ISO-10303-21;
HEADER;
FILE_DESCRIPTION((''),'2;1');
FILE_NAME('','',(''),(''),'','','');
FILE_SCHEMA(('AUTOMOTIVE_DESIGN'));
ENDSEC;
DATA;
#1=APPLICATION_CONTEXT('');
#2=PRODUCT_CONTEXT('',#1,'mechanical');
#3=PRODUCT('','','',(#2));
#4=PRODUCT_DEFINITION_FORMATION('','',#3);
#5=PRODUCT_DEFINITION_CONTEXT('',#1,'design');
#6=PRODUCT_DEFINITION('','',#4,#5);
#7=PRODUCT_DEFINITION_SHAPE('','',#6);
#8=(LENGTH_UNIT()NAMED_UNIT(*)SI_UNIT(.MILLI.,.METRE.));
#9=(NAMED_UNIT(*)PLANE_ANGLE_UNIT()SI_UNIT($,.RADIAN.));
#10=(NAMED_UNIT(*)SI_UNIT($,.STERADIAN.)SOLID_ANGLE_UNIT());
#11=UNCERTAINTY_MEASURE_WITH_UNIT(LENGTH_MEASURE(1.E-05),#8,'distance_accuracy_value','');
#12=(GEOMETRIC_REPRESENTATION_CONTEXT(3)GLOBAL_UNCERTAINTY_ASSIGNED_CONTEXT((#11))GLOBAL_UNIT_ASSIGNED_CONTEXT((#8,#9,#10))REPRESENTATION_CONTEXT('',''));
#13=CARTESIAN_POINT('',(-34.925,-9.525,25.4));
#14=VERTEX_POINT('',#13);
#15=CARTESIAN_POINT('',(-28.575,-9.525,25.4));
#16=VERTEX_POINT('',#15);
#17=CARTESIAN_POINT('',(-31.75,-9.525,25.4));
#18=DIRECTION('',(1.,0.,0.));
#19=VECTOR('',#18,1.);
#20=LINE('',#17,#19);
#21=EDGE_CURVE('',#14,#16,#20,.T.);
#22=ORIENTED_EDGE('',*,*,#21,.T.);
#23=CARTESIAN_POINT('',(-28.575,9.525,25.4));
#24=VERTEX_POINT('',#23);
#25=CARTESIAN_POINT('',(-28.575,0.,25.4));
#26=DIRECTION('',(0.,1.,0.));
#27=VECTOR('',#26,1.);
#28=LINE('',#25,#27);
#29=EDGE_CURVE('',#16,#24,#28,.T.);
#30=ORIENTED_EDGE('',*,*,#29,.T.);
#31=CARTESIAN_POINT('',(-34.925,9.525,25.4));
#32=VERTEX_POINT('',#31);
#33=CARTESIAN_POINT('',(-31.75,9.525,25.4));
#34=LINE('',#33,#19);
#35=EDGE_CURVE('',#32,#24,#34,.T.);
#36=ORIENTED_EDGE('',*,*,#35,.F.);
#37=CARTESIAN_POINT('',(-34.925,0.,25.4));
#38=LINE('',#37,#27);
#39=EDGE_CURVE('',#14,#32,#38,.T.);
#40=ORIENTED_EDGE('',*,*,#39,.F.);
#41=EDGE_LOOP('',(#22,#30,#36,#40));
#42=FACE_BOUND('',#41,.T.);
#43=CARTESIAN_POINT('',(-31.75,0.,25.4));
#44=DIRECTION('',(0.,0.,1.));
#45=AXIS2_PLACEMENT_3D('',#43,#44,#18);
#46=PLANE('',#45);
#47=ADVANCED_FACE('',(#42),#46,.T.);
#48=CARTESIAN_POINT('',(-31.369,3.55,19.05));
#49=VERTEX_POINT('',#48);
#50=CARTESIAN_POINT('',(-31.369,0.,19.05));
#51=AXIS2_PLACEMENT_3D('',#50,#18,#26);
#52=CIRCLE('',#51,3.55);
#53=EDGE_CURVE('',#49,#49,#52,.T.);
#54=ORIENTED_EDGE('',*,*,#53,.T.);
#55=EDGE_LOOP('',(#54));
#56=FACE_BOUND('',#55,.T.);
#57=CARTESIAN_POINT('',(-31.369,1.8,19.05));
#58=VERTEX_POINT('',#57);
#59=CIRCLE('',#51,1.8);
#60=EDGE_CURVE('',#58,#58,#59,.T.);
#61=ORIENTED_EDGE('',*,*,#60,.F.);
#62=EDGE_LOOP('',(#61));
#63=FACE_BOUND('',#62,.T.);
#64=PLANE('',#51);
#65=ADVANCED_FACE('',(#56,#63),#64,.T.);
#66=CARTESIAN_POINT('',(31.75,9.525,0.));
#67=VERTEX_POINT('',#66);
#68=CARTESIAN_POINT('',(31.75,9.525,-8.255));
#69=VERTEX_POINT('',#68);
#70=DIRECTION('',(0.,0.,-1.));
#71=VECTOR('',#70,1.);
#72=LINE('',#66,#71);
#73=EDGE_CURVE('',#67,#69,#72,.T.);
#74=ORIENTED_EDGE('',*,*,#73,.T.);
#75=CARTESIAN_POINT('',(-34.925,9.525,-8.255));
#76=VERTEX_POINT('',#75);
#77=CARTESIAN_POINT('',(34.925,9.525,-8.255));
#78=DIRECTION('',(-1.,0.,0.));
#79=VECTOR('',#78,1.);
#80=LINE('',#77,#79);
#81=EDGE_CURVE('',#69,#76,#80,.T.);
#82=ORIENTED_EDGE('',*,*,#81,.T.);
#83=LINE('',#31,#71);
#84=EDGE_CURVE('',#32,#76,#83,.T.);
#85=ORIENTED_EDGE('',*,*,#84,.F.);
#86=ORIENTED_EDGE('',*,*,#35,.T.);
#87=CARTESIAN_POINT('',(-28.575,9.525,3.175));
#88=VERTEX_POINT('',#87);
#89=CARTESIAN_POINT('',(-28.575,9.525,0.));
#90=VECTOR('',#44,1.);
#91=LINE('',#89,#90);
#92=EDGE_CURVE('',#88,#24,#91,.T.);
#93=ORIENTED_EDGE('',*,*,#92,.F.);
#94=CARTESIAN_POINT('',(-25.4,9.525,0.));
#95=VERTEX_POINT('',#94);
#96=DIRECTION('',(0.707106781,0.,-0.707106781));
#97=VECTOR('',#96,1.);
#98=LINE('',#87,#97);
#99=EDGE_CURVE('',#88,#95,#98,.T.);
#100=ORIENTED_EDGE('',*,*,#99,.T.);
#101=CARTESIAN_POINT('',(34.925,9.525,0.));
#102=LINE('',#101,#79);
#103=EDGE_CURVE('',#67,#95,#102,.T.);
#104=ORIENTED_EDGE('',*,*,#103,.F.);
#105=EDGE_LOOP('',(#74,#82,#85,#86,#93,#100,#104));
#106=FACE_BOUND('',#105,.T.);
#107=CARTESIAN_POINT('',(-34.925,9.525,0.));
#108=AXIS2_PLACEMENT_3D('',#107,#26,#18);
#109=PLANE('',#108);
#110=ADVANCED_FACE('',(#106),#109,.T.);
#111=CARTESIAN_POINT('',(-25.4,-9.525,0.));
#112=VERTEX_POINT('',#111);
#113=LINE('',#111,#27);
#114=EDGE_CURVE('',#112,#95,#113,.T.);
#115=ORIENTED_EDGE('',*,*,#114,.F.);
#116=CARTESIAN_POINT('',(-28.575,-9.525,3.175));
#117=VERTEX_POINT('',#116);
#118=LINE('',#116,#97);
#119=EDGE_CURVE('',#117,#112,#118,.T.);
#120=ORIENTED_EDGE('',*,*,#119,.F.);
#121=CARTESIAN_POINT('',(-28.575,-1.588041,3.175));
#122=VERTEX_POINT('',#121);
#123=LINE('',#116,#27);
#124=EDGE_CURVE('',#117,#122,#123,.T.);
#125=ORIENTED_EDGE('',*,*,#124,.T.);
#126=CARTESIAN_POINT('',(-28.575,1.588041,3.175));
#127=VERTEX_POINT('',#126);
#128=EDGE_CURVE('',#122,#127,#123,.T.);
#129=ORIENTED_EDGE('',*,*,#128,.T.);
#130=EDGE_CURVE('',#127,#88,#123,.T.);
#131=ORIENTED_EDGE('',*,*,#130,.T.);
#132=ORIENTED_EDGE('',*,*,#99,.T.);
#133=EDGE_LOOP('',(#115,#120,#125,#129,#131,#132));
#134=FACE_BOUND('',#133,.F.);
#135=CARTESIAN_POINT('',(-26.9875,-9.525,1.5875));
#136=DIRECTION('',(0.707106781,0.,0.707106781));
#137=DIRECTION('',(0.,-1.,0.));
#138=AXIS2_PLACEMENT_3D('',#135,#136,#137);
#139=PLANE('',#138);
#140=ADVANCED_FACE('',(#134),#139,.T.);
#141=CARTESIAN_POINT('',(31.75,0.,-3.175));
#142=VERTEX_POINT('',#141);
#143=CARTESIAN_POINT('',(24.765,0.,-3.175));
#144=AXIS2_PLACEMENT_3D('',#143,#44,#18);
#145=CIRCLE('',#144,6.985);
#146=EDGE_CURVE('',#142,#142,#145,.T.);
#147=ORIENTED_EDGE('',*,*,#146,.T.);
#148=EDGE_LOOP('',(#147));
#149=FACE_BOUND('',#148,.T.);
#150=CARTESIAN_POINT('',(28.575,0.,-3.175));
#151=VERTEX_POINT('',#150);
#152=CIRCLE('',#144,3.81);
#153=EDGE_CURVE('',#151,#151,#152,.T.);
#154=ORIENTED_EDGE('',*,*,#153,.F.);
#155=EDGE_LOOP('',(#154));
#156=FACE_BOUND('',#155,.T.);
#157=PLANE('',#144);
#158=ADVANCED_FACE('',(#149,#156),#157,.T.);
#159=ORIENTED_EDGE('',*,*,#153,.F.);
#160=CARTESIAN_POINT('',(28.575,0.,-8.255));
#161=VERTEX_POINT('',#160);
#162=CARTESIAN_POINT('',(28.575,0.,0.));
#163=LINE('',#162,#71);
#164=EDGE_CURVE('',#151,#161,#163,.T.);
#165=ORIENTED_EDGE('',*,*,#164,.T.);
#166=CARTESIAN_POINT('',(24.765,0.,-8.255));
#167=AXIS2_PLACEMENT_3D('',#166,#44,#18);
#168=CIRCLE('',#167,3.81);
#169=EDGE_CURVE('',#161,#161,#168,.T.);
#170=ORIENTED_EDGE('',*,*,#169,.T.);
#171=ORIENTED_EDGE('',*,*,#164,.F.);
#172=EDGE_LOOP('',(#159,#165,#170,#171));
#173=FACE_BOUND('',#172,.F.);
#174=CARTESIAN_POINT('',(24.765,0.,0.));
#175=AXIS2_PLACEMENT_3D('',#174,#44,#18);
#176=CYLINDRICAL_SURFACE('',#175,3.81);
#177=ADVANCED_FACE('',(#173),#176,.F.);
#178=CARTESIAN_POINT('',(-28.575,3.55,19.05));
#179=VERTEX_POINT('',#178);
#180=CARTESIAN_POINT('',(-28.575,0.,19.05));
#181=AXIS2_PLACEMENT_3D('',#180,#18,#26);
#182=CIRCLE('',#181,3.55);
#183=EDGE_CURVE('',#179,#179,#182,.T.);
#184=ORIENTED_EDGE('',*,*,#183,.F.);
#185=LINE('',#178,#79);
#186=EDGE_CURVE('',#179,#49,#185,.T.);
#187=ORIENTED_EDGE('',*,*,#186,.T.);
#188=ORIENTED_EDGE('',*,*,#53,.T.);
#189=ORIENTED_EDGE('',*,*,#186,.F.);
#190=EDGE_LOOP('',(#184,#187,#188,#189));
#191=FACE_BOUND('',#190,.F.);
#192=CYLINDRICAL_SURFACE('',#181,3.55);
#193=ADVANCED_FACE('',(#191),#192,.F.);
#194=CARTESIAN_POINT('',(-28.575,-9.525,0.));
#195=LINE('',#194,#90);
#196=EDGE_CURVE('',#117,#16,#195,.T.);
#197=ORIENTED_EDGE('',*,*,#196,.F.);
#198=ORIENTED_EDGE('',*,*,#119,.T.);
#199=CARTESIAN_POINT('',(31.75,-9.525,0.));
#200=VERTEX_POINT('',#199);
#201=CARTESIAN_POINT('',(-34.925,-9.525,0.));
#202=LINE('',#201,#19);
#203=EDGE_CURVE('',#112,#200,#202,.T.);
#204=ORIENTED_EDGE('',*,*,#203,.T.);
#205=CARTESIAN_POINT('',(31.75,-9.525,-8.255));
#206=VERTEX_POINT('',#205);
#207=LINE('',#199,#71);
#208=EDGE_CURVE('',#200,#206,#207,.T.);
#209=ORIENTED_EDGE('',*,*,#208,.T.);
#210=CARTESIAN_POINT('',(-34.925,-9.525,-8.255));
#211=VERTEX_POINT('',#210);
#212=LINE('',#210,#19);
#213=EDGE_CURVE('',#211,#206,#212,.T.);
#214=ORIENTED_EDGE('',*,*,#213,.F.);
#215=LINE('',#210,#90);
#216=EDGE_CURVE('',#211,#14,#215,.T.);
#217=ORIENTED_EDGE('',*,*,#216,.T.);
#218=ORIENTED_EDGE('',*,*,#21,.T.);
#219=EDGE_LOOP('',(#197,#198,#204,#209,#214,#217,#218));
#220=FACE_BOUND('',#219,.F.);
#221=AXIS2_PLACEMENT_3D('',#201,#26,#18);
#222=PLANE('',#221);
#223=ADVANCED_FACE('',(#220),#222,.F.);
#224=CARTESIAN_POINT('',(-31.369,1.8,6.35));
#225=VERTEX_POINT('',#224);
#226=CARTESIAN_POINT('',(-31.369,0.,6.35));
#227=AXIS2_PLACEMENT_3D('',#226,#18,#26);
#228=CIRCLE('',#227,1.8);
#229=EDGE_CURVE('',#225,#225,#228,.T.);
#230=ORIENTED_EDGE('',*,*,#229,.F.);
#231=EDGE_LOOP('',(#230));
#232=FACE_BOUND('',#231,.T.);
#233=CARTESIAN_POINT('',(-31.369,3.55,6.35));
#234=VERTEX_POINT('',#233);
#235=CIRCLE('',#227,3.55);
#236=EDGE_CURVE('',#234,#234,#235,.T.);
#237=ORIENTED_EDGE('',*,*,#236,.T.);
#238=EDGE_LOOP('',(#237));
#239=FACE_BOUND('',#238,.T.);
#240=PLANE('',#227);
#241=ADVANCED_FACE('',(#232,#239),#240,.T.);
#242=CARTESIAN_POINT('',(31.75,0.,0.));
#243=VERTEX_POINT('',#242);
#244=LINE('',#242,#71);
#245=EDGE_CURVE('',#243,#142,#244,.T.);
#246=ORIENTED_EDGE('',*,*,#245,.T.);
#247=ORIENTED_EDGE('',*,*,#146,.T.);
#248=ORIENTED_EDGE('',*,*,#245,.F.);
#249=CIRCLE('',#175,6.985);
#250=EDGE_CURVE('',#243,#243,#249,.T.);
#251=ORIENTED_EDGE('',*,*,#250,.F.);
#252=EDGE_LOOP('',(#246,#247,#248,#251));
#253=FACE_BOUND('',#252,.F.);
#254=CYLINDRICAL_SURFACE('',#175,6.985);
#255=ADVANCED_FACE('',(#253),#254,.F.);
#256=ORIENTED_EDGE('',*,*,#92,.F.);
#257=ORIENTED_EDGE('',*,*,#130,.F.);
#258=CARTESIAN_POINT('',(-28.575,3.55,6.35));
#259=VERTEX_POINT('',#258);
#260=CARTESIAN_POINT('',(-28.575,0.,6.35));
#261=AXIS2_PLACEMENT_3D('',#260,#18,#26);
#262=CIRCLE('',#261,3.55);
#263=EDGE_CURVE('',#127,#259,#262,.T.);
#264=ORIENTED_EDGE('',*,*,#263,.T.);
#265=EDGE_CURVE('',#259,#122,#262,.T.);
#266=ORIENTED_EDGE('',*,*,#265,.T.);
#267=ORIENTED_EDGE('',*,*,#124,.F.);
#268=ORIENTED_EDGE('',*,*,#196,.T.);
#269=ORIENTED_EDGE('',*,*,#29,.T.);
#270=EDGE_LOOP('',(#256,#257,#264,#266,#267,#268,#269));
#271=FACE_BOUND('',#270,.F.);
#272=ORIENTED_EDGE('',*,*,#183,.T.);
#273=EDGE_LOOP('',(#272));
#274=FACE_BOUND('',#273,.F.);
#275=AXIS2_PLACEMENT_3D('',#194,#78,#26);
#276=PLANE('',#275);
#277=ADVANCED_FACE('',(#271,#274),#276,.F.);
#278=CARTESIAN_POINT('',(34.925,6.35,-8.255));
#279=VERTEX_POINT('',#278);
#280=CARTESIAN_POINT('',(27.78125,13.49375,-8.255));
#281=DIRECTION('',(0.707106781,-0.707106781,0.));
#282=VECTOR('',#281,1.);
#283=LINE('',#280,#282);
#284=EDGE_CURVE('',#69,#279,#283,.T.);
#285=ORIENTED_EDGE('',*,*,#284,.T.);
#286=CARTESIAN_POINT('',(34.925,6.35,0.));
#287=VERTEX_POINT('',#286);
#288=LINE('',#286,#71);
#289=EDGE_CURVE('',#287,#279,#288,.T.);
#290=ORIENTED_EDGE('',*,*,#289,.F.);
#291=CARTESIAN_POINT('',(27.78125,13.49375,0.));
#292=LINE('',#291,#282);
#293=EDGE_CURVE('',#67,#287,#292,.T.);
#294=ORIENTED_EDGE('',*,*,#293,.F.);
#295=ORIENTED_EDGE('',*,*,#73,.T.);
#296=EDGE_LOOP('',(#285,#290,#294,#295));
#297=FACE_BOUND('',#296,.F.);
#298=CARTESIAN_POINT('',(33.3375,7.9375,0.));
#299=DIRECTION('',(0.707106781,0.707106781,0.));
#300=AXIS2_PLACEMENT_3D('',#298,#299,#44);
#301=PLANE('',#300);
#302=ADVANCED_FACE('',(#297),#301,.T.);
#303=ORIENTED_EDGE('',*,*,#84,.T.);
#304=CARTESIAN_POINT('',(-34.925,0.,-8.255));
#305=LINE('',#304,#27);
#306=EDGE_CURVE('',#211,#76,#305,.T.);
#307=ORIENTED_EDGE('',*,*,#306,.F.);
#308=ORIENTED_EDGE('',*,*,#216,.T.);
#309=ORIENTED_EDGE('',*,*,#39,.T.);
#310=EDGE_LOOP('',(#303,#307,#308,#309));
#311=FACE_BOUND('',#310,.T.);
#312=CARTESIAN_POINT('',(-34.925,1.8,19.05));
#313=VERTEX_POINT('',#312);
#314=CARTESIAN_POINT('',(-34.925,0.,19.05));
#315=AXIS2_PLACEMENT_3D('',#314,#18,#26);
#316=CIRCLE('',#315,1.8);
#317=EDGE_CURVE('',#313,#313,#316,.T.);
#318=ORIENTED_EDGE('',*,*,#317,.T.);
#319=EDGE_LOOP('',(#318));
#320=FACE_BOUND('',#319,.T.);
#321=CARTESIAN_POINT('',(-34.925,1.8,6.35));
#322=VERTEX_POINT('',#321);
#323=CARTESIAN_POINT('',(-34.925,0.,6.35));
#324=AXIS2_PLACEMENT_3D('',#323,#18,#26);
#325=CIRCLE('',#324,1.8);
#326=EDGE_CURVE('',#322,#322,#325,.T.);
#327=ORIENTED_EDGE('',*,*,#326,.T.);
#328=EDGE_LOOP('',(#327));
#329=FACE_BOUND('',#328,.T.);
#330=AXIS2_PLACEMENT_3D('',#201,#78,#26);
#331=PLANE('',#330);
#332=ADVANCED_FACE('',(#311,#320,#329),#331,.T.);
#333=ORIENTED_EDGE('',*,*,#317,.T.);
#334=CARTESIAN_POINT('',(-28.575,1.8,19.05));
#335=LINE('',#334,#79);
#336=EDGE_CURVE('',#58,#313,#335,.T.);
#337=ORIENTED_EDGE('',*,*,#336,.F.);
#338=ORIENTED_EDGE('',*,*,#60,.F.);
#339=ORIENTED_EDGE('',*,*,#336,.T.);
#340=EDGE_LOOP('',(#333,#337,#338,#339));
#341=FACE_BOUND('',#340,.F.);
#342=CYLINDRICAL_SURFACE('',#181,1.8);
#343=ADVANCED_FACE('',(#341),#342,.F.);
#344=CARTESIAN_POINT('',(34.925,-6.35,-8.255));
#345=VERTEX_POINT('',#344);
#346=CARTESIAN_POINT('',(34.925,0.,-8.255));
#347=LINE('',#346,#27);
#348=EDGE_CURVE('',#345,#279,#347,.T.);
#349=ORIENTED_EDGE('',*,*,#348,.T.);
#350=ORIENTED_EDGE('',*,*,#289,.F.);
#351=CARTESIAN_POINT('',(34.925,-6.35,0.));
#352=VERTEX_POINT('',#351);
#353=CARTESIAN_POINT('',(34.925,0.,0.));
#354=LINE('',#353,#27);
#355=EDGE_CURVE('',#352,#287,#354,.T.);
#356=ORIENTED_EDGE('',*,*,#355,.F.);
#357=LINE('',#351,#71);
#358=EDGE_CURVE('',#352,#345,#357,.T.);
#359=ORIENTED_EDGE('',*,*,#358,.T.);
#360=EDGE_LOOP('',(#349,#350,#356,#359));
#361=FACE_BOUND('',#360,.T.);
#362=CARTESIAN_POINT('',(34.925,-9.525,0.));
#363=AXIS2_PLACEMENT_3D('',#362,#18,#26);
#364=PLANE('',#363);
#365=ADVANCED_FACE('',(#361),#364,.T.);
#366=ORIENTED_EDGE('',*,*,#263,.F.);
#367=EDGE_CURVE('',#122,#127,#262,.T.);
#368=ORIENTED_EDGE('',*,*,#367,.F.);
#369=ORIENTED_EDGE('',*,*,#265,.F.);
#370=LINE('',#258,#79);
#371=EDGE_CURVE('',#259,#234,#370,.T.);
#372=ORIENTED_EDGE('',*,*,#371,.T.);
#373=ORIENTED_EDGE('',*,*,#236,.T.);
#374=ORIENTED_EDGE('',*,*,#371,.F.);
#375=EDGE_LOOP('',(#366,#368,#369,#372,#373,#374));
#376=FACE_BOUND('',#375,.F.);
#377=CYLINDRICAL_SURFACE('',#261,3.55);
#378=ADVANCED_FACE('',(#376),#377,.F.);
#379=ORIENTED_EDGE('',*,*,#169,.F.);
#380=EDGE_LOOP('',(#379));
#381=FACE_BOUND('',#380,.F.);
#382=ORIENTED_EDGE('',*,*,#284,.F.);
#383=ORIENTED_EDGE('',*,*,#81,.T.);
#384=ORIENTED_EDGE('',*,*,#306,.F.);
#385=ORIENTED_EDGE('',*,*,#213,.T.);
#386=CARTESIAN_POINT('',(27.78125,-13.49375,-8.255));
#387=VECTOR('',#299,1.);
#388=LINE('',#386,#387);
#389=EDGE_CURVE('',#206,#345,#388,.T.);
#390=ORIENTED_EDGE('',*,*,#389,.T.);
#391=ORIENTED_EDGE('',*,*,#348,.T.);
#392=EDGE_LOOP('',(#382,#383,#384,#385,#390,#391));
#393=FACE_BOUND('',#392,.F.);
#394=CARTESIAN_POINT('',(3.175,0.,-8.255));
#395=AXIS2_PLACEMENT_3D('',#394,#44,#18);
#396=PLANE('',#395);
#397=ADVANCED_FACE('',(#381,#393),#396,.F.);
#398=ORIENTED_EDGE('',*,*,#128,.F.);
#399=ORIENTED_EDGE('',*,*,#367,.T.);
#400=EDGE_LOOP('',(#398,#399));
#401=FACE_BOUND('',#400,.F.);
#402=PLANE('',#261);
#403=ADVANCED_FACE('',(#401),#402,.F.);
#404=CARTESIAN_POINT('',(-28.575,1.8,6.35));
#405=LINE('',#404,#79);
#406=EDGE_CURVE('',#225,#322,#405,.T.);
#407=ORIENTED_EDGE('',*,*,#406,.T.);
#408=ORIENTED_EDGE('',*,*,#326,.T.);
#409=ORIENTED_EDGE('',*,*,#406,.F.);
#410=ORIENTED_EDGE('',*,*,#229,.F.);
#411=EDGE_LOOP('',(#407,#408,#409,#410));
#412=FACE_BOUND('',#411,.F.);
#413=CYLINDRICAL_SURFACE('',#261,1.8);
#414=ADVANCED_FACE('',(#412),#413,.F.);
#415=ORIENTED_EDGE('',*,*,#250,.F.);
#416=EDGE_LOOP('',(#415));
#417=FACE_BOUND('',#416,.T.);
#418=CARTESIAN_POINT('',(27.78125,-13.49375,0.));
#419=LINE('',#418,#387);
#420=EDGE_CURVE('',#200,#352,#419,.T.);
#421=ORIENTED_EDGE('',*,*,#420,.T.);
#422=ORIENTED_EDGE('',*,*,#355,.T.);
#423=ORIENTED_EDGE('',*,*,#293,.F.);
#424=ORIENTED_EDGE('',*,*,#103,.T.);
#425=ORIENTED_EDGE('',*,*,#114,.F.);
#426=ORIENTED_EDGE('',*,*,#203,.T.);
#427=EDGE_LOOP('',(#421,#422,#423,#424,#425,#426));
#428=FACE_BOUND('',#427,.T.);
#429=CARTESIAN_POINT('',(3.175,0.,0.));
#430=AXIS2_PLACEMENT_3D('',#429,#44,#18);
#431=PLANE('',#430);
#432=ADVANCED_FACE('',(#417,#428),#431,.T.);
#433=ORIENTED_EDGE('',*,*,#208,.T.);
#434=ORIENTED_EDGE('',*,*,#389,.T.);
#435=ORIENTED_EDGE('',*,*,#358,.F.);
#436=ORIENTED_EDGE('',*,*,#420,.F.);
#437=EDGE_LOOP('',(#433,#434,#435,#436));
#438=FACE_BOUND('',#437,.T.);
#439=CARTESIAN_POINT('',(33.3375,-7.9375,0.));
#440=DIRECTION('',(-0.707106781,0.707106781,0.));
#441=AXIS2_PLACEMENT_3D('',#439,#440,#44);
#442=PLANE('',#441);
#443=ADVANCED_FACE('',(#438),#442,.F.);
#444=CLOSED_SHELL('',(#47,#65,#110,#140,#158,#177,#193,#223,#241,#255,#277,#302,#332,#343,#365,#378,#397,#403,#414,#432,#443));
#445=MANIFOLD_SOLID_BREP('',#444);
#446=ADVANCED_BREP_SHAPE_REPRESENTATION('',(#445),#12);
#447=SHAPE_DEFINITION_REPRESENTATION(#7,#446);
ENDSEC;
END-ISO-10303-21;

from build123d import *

# Parameters (mm, degrees)
F0_W     = 63.5
F0_H     = 19.05
F0_R     = 6.985
F0_W_2   = 6.35
F0_R_2   = 3.81
F1_DEPTH = 8.255
F2_DEPTH = 25.4
F3_DEPTH = 3.175
F4_R     = 1.8
F5_DEPTH = 6.35
F6_SIZE  = 3.175
F4_R_2   = 3.55
F7_DEPTH = 2.794


with BuildPart() as f1:
    # F0 (on Top) → F1 (new body)
    with BuildSketch(Plane.XY):
        with Locations((3.175, 0)):
            Rectangle(F0_W, F0_H)
        with Locations((24.765, 0)):
            Circle(F0_R, mode=Mode.SUBTRACT)
        with Locations((-31.75, 0)):
            Rectangle(F0_W_2, F0_H)
        with Locations((24.765, 0)):
            Circle(F0_R)
        with Locations((24.765, 0)):
            Circle(F0_R_2, mode=Mode.SUBTRACT)
    extrude(amount=-F1_DEPTH)

    # F0 (on Top) → F2 (join)
    with BuildSketch(Plane.XY):
        with Locations((-31.75, 0)):
            Rectangle(F0_W_2, F0_H)
    extrude(amount=F2_DEPTH)

    # F0 (on Top) → F3 (cut)
    with BuildSketch(Plane.XY):
        with Locations((24.765, 0)):
            Circle(F0_R)
        with Locations((24.765, 0)):
            Circle(F0_R_2, mode=Mode.SUBTRACT)
    extrude(amount=-F3_DEPTH, mode=Mode.SUBTRACT)

    # F4 (on face) → F5 (cut, through all)
    with BuildSketch(Plane.YZ.offset(-28.575)):
        with Locations((0, 6.35)):
            Circle(F4_R)
        with Locations((0, 19.05)):
            Circle(F4_R)
    extrude(amount=-F5_DEPTH, mode=Mode.SUBTRACT)

    # F6
    f6_edges = [f1.edges().sort_by_distance(p)[0] for p in [
        (-28.575, 0, 0),
        (34.925, 9.525, -4.1275),
        (34.925, -9.525, -4.1275),
    ]]
    chamfer(f6_edges, length=F6_SIZE)

    # F4 (on face) → F7 (cut)
    with BuildSketch(Plane.YZ.offset(-28.575)):
        with Locations((0, 6.35)):
            Circle(F4_R_2)
        with Locations((0, 6.35)):
            Circle(F4_R, mode=Mode.SUBTRACT)
        with Locations((0, 19.05)):
            Circle(F4_R_2)
        with Locations((0, 19.05)):
            Circle(F4_R, mode=Mode.SUBTRACT)
    extrude(amount=-F7_DEPTH, mode=Mode.SUBTRACT)


solid = f1.part
